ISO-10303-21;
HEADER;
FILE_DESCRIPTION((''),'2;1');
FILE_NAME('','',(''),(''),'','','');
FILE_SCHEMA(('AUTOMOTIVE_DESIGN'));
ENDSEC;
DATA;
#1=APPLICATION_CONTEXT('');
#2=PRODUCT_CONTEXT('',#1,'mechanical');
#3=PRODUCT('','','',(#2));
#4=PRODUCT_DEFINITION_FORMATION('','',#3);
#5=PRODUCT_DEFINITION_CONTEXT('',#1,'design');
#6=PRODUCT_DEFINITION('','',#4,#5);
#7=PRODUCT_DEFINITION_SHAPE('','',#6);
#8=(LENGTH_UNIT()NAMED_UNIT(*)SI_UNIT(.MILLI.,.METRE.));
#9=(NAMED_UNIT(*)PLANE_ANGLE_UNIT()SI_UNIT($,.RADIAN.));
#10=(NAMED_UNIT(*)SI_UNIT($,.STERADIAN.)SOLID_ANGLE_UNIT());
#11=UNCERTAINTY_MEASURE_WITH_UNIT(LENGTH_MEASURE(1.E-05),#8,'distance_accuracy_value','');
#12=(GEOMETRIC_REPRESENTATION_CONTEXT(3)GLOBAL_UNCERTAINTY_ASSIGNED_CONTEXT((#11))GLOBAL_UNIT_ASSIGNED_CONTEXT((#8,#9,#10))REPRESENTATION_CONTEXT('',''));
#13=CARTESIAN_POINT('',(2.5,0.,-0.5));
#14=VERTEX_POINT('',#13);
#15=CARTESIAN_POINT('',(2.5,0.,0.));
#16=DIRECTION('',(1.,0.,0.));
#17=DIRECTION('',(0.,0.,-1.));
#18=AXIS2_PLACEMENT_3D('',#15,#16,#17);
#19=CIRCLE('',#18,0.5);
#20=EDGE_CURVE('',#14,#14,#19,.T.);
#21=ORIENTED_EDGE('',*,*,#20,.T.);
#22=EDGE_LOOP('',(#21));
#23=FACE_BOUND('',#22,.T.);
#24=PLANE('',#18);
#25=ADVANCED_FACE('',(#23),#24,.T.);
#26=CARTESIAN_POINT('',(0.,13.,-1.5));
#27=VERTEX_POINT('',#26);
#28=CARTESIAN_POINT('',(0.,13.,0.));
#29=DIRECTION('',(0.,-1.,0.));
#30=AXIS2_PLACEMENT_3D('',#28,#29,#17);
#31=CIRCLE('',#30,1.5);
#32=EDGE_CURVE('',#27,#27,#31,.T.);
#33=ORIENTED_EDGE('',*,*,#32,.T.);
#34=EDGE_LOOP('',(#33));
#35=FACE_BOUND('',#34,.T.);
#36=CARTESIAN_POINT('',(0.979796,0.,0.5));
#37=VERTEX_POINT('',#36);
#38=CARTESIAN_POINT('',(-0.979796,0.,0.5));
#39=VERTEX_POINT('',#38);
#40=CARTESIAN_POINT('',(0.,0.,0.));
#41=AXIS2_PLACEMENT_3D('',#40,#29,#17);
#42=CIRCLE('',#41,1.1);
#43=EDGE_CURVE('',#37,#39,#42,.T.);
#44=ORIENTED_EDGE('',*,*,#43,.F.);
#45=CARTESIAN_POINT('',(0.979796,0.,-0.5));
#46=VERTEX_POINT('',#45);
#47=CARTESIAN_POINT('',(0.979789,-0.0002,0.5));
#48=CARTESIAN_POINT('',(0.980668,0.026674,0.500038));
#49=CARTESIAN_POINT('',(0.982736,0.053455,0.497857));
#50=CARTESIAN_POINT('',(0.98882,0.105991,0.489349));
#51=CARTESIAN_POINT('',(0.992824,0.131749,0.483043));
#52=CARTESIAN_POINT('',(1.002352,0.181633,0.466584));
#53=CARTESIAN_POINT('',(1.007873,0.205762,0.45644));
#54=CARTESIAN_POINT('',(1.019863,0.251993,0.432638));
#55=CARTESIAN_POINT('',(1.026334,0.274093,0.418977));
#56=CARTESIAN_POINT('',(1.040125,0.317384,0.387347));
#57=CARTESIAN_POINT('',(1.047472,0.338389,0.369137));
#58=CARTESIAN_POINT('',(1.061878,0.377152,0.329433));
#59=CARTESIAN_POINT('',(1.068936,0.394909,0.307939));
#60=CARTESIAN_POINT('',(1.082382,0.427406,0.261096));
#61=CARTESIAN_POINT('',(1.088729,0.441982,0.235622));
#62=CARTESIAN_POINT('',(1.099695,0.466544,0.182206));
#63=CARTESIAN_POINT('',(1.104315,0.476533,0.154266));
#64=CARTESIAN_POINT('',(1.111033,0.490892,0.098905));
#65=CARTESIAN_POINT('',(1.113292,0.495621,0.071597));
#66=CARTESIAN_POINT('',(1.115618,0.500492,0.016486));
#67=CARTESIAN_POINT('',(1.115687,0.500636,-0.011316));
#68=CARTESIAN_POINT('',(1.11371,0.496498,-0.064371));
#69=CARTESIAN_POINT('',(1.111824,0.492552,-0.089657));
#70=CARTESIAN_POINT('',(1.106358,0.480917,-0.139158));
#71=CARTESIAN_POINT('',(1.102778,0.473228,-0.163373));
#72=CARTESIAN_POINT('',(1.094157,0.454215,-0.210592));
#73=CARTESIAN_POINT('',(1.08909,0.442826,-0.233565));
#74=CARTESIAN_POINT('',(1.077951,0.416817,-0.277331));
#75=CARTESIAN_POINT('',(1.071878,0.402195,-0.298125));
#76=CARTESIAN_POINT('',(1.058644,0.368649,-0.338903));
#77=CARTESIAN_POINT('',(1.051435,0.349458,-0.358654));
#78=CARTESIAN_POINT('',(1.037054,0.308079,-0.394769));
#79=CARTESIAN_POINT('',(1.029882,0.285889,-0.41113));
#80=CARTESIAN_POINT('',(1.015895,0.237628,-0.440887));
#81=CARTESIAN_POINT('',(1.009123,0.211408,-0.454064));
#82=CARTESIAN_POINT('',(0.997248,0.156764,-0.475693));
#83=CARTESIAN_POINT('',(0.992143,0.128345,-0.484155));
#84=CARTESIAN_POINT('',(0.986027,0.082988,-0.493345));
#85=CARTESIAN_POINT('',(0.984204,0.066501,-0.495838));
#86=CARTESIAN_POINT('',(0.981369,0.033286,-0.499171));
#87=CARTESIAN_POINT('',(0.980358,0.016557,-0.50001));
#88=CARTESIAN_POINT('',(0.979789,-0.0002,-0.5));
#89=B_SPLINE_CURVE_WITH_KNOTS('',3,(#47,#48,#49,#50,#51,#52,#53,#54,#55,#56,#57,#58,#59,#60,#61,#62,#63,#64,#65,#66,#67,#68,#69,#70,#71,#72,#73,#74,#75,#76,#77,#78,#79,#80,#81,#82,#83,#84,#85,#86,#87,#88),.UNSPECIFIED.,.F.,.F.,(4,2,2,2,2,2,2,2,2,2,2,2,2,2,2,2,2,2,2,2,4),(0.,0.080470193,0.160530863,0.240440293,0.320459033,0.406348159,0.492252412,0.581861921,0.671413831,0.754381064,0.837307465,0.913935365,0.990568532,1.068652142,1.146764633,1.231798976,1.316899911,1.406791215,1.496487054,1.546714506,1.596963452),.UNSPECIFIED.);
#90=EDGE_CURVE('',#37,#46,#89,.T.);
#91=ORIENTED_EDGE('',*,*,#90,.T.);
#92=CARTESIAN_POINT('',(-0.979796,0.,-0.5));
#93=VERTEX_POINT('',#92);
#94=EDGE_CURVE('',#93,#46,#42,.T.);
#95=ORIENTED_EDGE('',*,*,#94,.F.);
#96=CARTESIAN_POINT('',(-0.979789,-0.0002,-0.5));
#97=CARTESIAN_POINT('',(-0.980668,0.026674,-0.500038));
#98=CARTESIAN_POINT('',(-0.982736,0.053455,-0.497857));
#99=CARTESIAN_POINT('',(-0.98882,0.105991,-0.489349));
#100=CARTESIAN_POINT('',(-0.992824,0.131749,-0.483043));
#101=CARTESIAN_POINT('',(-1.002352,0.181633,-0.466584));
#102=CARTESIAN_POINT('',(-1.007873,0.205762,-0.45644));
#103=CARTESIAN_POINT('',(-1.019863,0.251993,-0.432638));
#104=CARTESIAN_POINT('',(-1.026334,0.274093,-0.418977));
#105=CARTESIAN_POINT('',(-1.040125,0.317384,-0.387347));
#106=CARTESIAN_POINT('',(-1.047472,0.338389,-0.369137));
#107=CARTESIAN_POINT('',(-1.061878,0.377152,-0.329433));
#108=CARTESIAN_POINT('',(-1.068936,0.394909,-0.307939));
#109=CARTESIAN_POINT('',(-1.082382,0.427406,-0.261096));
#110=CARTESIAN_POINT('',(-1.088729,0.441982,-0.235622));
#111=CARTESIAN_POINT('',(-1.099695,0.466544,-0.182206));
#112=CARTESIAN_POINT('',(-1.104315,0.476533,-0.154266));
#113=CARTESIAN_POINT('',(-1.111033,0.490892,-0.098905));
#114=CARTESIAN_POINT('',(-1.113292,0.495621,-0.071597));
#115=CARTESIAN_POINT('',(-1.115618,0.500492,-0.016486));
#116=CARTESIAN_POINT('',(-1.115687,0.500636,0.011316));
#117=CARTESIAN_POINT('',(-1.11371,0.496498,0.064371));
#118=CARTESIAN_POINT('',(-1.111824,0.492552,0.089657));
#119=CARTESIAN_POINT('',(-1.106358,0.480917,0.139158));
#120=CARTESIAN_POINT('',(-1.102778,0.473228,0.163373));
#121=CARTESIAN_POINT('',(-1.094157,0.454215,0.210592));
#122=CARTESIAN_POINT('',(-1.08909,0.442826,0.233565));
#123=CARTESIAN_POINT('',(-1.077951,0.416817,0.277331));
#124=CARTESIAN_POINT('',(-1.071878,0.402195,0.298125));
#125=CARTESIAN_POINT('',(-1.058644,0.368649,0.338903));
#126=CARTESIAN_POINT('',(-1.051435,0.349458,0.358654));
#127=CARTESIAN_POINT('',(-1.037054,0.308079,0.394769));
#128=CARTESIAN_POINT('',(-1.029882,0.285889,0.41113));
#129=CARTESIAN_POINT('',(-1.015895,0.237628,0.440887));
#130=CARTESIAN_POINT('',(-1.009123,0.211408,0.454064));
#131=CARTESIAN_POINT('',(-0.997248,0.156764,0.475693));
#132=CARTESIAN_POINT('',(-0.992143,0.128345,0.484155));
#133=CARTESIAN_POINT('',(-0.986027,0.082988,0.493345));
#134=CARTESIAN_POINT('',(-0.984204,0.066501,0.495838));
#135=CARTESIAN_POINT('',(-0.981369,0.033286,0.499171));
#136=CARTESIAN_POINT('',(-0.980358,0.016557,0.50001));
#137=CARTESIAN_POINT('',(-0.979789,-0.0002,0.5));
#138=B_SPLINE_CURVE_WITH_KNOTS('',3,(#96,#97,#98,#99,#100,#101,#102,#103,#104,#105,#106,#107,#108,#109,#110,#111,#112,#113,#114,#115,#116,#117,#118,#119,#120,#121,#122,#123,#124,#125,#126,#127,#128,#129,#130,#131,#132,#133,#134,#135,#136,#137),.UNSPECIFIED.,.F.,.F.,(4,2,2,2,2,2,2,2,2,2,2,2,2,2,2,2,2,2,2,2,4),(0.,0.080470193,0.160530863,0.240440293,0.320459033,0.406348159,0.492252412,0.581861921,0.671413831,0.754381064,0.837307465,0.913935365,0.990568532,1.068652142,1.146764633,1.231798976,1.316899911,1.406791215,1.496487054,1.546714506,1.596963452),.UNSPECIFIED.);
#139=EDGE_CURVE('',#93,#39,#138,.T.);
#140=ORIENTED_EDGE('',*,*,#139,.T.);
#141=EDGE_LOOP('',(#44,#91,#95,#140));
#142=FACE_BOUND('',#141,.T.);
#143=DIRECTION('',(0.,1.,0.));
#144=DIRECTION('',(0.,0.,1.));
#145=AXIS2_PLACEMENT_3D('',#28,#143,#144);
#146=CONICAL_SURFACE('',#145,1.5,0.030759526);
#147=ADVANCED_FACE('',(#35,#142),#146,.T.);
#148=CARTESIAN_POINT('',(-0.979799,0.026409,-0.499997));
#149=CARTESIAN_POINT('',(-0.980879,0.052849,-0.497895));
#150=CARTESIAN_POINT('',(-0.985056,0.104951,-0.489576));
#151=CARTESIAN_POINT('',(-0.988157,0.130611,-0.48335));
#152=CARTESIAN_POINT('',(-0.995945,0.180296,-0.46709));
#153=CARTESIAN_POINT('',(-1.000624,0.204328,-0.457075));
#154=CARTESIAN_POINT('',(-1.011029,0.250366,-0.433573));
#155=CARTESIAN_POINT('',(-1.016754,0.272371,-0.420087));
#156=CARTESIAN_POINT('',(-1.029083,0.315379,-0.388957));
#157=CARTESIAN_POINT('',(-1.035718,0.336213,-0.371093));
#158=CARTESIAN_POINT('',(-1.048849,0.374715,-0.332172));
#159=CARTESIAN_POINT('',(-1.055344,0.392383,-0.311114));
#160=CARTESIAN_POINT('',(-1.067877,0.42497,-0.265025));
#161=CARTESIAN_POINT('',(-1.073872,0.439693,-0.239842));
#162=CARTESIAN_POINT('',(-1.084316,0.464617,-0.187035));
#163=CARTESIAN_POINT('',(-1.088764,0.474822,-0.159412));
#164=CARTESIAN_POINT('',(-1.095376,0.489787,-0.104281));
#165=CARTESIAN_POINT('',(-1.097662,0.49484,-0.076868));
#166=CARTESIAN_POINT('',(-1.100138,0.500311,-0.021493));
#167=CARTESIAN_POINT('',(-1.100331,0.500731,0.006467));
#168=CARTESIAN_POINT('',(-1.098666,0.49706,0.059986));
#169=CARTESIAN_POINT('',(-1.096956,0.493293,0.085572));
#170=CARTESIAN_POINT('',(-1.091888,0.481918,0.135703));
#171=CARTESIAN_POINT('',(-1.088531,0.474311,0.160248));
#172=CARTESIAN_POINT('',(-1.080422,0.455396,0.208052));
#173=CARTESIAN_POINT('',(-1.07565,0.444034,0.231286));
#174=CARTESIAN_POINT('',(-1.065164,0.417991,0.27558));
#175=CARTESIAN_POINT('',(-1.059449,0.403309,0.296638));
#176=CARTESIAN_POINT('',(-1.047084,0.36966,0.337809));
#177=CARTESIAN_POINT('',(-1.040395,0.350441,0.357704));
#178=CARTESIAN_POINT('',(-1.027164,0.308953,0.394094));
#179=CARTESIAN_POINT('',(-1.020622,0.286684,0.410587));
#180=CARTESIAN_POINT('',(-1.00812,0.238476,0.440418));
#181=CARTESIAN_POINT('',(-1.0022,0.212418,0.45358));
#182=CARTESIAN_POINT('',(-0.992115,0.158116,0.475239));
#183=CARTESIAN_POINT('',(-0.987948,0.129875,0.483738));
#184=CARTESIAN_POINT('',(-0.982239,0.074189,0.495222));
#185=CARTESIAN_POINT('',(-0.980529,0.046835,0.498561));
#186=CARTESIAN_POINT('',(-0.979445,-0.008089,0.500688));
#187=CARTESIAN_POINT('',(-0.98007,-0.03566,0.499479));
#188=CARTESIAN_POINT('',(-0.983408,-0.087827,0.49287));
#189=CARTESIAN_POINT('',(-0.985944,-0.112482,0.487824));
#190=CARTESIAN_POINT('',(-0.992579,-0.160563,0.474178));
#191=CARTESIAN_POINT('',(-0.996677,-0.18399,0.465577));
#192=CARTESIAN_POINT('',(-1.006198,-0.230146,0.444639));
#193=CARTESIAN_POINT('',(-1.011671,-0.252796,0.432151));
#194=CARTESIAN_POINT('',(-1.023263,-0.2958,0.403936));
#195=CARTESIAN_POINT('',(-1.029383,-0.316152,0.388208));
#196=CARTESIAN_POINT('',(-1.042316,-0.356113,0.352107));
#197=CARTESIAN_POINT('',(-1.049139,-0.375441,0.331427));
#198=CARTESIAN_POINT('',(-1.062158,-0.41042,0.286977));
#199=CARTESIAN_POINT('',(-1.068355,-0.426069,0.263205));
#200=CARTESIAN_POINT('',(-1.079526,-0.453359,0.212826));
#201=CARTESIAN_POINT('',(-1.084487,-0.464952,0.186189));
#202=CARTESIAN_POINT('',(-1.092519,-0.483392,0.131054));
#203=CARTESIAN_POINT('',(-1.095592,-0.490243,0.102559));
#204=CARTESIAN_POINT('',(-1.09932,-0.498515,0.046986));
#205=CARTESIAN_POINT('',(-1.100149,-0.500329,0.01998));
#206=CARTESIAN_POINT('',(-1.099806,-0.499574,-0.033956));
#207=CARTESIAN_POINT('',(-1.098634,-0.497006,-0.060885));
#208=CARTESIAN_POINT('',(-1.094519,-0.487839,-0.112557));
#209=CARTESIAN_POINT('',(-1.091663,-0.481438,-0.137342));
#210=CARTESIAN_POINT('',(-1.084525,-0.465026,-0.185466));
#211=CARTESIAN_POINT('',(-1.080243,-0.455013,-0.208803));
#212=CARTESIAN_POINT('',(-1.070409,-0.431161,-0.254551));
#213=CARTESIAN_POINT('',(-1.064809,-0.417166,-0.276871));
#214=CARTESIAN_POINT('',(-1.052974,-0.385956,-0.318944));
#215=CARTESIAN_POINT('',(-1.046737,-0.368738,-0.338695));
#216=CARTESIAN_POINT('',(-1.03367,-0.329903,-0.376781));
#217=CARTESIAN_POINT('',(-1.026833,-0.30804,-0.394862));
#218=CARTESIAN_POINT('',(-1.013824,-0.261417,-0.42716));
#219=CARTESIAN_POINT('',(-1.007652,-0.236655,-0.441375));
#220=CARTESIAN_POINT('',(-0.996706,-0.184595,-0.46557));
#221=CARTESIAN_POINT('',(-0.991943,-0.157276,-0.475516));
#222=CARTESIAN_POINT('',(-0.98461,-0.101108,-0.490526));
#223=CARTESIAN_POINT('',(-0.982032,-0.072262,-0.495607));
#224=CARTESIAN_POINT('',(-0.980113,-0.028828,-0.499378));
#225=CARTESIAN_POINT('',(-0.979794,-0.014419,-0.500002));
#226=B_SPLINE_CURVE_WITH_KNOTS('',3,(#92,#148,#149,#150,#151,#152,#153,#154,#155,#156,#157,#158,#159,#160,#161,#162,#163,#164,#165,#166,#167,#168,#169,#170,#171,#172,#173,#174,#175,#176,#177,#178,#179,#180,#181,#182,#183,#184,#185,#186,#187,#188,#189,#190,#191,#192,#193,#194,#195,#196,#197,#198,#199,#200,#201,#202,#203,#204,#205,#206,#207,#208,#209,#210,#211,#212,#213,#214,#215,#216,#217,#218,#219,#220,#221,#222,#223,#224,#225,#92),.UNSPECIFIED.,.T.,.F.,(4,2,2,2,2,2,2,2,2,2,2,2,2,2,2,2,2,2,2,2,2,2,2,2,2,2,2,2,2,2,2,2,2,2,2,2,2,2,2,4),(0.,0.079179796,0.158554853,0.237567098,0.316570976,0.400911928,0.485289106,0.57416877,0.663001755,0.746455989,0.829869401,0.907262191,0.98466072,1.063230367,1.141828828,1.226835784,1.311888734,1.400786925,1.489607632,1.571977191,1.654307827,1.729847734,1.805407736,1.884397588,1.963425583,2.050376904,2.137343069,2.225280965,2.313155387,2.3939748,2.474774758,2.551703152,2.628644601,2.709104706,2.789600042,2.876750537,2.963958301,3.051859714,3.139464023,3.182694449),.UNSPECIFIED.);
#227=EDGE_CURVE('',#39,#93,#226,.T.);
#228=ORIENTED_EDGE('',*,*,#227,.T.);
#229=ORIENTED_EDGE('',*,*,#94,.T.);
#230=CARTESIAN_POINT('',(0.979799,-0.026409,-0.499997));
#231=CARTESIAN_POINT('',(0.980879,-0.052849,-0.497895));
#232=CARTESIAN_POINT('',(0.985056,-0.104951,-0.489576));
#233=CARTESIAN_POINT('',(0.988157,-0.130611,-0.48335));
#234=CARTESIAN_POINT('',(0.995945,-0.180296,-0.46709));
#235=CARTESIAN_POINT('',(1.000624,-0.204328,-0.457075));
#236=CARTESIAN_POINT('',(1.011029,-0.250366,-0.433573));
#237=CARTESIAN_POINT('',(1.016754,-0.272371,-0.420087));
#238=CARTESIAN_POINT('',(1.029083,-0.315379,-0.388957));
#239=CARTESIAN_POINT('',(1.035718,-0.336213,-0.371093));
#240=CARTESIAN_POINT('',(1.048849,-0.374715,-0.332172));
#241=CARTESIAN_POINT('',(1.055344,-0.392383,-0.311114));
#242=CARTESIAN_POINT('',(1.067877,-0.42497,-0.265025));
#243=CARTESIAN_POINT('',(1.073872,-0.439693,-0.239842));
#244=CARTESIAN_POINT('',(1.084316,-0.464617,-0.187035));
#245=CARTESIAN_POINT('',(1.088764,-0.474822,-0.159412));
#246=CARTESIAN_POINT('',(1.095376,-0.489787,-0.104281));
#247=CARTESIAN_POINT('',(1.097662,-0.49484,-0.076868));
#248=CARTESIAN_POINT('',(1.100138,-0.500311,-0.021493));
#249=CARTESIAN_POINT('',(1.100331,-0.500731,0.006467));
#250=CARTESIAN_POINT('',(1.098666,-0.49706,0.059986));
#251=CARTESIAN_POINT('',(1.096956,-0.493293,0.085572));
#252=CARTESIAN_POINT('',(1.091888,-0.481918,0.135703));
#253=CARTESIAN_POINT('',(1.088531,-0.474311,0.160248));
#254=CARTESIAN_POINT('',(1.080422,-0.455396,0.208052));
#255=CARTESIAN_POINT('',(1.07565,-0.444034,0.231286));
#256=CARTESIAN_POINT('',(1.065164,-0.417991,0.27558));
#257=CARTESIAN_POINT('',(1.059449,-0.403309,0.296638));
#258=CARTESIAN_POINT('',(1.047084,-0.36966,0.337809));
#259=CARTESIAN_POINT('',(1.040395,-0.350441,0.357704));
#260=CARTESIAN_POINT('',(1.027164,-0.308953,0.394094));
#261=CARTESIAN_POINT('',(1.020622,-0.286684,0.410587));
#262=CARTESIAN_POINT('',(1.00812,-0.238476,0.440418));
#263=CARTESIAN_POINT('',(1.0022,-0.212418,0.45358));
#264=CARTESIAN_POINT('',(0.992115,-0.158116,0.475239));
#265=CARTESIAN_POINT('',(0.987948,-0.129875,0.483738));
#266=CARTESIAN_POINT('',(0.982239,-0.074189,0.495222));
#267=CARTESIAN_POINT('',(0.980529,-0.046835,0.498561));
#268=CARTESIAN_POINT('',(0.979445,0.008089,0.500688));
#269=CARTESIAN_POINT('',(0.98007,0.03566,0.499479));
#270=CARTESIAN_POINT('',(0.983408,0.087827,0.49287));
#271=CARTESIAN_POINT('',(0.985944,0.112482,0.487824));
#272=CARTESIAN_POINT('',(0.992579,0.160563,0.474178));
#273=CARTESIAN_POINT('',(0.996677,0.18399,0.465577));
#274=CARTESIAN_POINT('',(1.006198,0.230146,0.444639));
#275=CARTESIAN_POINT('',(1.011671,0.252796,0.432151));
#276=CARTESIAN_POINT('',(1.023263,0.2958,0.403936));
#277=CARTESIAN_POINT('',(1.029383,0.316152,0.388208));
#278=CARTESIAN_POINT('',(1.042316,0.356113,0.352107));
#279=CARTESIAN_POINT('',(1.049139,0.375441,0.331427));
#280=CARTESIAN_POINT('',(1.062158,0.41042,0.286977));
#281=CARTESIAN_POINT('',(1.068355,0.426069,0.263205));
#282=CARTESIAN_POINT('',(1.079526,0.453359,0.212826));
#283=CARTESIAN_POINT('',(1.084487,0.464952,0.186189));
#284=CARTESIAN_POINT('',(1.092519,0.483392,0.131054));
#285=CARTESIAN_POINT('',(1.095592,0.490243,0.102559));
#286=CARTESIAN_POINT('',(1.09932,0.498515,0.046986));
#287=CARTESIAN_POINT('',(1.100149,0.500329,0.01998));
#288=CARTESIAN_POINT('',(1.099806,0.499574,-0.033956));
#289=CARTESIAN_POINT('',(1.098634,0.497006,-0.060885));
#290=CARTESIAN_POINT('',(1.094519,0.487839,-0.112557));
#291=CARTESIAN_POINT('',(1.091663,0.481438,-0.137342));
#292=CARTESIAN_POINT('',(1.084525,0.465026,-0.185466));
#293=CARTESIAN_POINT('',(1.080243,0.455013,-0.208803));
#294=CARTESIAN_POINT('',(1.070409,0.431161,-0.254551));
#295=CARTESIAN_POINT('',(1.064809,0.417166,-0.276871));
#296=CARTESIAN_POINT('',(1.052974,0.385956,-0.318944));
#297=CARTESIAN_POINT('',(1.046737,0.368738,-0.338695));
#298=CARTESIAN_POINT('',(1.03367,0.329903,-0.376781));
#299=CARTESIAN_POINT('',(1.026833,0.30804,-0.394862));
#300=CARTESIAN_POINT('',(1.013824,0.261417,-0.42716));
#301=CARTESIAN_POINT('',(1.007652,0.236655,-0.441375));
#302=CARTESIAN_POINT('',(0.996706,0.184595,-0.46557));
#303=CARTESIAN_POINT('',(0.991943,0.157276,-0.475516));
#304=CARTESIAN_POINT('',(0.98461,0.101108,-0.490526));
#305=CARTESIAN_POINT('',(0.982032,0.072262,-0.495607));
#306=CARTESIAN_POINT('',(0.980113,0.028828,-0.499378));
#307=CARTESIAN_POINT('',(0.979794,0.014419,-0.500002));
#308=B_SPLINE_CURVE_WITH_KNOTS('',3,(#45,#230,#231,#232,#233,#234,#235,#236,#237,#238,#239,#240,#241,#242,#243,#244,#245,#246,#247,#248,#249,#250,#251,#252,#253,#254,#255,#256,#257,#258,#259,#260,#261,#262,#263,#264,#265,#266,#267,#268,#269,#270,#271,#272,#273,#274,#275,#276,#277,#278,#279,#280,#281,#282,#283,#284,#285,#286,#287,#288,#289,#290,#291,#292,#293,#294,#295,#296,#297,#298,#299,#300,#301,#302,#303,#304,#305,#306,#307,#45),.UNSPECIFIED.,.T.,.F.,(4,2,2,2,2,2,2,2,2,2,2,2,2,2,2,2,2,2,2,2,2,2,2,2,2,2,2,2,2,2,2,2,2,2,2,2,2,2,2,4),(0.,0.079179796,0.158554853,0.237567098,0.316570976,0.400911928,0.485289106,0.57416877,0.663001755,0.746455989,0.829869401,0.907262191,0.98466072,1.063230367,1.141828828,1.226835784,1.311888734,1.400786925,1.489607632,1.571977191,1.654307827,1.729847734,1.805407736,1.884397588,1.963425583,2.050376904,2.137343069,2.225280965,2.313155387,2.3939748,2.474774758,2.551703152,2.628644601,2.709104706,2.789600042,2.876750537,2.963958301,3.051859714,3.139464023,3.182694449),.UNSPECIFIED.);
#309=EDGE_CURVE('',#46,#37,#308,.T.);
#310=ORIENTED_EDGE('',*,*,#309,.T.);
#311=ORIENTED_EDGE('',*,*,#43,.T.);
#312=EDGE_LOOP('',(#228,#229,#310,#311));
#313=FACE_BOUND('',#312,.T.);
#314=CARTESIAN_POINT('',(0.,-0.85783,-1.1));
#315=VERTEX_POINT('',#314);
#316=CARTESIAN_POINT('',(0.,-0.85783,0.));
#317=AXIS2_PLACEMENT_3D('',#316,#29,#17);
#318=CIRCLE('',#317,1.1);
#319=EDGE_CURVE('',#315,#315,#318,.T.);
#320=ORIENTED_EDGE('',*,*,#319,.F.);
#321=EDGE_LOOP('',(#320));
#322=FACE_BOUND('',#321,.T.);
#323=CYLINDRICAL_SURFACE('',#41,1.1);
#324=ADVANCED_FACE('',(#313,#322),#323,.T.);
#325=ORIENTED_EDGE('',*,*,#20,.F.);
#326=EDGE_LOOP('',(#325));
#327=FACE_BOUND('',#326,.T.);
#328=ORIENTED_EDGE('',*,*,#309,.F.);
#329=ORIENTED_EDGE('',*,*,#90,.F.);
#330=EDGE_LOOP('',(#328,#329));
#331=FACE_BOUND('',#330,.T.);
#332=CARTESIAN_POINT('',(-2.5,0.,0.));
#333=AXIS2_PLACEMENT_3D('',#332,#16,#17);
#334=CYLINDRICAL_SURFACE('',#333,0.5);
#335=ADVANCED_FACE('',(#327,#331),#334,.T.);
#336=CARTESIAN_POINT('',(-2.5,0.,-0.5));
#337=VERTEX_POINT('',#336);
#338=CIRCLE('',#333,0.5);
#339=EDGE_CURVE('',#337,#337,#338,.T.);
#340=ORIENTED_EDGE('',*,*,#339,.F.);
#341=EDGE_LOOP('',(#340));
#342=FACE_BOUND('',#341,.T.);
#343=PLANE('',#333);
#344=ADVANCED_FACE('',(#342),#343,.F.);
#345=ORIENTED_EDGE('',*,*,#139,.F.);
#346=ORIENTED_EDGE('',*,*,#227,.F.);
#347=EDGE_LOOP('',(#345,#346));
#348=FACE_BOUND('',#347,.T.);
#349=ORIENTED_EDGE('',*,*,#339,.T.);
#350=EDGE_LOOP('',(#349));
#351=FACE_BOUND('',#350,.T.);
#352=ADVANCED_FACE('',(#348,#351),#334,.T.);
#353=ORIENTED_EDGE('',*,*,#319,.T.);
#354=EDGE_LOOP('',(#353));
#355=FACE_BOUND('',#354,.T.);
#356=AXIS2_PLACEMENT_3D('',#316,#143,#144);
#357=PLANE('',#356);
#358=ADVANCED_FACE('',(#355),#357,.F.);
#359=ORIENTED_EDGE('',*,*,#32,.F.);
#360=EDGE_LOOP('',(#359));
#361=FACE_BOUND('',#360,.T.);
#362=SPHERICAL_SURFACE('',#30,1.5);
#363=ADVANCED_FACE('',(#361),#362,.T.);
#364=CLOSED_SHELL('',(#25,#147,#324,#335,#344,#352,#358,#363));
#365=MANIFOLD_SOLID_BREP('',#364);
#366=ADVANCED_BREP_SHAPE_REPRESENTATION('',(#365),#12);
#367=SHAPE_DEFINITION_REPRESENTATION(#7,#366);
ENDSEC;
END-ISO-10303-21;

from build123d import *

# Parameters (mm, degrees)
BOSS_EXTRU_1_DEPTH      = 2.5
BOSS_EXTRU_1_DEPTH_BACK = 2.5
ESQUISSE2_R             = 0.5


with BuildPart() as part:
    # Esquisse1 → Révolution1 (revolve)
    with BuildSketch(Plane(origin=(0, 0, 0), x_dir=(0, 0, -1), z_dir=(1, 0, 0))):
        with BuildLine():
            Line((1.49716245, 12.907779617), (1.5, 13))
            ThreePointArc((1.5, 13), (1.060660172, 14.060660172), (0, 14.5))
            Line((0, 14.5), (0, -0.857830241))
            Line((0, -0.857830241), (1.1, -0.857830241))
            Line((1.1, -0.857830241), (1.1, 0))
            Line((1.1, 0), (1.49716245, 12.907779617))
        make_face()
    revolve(axis=Axis((0, 0, 0), (0, 1, 0)))

    # Esquisse2 → Boss.-Extru.1 (add, two sides: drawn at the far end of the back side and taken through both)
    with BuildSketch(Plane(origin=(0, 0, 0), x_dir=(0, 0, -1), z_dir=(1, 0, 0)).offset(-BOSS_EXTRU_1_DEPTH_BACK)):
        Circle(ESQUISSE2_R)
    extrude(amount=BOSS_EXTRU_1_DEPTH + BOSS_EXTRU_1_DEPTH_BACK)


solid = part.part
